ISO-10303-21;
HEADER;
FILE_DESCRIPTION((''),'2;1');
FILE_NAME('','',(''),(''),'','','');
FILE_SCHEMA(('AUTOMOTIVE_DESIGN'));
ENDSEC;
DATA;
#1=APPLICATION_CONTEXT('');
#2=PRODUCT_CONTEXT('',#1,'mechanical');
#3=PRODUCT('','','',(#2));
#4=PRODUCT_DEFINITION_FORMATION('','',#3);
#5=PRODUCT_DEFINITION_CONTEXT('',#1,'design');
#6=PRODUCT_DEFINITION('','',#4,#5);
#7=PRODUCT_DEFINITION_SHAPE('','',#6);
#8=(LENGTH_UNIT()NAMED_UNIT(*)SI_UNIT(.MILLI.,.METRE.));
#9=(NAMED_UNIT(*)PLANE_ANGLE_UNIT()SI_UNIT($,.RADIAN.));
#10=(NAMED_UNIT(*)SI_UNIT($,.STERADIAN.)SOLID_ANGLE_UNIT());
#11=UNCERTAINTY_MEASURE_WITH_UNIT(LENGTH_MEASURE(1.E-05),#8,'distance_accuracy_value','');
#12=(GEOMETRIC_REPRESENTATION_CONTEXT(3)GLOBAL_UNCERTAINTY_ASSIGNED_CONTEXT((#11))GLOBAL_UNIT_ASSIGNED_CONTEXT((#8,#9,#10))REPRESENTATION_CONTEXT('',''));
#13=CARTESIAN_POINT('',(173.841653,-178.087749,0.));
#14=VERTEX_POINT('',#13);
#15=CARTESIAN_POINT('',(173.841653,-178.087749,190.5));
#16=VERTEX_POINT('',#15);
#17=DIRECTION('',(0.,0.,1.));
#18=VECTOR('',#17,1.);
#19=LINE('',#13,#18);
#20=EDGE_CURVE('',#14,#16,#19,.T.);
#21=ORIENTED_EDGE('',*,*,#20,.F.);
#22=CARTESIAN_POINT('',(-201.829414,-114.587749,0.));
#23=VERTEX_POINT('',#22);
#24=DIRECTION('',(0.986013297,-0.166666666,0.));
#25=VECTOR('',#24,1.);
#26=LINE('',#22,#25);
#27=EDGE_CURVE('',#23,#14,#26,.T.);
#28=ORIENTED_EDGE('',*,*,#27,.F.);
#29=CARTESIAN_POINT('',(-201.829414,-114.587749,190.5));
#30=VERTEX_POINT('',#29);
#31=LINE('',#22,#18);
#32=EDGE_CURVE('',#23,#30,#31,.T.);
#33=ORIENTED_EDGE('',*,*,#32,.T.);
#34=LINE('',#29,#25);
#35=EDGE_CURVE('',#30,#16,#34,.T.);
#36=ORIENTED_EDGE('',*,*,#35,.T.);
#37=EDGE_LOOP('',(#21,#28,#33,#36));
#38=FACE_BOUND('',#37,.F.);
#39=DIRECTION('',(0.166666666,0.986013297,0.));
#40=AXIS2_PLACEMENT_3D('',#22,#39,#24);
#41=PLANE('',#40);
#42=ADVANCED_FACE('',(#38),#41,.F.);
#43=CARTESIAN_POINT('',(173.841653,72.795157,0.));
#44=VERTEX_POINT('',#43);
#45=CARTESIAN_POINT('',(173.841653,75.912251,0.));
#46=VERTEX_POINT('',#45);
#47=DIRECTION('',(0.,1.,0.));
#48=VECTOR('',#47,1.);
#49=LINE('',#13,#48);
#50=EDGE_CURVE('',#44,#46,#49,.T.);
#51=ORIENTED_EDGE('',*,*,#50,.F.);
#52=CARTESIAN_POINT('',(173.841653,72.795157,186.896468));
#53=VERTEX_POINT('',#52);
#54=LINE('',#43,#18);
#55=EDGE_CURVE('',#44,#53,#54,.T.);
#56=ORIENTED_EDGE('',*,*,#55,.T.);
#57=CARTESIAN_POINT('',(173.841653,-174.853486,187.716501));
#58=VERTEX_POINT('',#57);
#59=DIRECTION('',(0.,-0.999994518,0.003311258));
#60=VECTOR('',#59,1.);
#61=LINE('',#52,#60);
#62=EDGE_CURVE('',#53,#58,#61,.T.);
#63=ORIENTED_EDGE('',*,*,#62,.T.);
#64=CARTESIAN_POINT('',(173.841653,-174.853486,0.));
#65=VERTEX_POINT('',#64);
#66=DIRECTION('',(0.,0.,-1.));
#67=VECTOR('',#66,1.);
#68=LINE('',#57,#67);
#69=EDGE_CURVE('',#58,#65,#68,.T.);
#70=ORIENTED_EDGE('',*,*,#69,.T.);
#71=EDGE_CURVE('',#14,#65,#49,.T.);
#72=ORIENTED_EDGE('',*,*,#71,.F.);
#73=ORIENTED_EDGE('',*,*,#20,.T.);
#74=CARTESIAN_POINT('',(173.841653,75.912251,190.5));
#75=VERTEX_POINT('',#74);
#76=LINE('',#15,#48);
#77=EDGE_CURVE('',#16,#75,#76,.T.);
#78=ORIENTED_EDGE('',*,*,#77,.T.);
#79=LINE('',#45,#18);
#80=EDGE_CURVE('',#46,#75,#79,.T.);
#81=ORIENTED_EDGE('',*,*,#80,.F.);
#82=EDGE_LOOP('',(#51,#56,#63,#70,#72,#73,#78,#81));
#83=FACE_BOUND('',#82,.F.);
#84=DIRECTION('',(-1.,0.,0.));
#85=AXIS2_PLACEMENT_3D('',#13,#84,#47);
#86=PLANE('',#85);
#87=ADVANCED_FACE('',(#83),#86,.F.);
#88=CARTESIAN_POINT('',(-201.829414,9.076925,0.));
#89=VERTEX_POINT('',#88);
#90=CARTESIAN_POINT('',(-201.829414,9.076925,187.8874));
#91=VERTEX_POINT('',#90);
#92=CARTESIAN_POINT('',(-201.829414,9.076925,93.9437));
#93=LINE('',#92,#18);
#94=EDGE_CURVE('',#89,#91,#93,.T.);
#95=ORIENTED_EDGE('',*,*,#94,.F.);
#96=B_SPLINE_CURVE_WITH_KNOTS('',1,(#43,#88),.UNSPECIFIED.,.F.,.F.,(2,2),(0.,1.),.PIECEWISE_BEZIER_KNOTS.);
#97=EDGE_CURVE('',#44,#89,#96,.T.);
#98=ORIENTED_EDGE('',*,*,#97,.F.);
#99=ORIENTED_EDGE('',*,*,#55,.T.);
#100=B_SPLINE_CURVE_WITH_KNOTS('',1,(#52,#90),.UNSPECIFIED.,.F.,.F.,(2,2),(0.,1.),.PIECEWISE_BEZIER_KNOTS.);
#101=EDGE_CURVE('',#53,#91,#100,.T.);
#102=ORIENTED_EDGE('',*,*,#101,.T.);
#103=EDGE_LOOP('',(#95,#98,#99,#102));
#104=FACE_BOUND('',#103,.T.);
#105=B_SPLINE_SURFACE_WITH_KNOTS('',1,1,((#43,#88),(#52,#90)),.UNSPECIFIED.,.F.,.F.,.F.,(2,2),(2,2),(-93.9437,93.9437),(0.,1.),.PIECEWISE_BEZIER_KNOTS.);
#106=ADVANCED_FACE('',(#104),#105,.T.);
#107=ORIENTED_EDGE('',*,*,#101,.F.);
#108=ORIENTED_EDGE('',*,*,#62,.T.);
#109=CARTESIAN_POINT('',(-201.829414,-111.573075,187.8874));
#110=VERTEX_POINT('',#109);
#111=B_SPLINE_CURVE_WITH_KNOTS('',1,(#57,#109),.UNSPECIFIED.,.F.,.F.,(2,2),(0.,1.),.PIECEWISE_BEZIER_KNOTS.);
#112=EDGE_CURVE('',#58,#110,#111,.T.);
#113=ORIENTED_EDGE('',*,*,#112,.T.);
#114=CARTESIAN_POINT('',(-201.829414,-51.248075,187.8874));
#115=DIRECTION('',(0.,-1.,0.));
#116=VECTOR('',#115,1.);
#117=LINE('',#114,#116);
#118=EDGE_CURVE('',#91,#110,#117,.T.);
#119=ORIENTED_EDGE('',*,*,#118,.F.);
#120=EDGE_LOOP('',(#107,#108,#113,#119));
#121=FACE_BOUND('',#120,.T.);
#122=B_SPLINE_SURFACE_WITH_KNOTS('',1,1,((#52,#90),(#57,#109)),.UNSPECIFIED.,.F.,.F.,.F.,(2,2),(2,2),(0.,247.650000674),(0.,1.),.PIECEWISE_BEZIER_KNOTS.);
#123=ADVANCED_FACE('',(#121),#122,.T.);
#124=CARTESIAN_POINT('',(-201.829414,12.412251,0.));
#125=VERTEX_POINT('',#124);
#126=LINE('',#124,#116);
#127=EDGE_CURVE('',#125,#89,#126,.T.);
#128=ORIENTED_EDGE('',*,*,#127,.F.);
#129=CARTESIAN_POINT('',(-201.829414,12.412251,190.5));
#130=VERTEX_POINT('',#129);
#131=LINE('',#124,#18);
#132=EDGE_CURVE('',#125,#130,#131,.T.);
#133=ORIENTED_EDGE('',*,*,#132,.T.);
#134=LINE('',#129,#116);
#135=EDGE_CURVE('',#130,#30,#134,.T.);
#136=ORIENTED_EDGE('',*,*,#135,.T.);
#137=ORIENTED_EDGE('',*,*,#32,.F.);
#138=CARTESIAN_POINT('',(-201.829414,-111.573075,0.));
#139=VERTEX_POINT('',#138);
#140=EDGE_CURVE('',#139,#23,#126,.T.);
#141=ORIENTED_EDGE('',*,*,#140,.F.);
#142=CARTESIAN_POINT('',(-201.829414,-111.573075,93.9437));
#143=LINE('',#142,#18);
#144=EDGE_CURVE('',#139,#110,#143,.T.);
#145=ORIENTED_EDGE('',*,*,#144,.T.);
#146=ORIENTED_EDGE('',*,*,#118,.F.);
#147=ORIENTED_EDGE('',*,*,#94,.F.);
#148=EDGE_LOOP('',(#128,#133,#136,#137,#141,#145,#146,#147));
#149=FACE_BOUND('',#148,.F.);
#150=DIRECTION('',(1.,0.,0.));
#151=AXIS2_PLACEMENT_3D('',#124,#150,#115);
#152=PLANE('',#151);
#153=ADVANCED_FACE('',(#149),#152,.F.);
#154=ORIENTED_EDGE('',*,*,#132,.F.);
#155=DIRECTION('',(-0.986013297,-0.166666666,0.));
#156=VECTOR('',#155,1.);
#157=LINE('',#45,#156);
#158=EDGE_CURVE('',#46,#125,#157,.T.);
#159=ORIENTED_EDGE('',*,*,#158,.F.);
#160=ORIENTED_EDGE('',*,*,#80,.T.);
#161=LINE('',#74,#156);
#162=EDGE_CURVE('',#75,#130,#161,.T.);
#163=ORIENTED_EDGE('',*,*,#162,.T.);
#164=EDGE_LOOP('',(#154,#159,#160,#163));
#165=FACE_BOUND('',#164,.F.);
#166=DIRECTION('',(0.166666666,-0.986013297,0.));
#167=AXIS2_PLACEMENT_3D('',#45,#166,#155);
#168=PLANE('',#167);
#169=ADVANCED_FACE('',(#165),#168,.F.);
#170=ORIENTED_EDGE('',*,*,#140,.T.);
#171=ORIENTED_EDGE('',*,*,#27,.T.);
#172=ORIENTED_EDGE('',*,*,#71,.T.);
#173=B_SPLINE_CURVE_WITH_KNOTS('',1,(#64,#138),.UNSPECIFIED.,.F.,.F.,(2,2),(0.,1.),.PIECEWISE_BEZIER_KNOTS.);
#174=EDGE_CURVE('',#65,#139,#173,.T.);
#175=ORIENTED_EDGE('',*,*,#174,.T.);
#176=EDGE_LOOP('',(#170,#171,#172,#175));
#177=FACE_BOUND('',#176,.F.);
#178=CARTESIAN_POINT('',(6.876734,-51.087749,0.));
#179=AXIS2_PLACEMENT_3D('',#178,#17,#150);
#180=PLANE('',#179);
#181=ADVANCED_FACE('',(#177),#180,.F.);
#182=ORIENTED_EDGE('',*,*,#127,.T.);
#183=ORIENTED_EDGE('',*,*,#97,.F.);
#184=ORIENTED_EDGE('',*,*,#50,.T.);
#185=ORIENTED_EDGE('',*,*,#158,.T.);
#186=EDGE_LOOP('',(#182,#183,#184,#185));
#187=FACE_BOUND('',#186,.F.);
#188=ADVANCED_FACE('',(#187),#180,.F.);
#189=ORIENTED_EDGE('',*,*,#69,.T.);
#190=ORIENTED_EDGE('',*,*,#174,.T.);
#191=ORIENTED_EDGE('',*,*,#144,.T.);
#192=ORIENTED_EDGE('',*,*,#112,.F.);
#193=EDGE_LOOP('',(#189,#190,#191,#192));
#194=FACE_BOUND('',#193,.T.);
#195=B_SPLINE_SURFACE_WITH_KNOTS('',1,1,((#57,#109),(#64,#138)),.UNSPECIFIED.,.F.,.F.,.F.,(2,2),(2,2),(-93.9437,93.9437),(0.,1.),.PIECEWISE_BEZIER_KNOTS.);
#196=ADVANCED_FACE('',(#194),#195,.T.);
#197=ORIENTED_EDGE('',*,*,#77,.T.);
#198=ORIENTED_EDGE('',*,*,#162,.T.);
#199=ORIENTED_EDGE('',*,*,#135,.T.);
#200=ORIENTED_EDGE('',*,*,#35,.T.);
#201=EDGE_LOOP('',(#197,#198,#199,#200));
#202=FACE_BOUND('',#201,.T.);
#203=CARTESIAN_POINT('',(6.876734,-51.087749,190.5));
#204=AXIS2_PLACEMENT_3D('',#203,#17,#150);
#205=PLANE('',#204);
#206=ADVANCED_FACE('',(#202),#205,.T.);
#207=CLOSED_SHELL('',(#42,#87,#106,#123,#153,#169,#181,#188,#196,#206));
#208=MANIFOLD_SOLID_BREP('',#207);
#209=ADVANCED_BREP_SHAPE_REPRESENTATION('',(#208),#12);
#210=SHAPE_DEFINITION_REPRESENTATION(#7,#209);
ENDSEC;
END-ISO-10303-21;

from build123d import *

# Parameters (mm, degrees)
F1_DEPTH = 190.5
F3_W     = 120.65
F3_H     = 187.8874


with BuildPart() as f1:
    # F0 (on Top) → F1 (new body)
    with BuildSketch(Plane.XY):
        Polygon((173.841653, -178.087749), (173.841653, 75.912251), (-201.829414, 12.412251), (-201.829414, -114.587749), align=None)
    extrude(amount=F1_DEPTH)

    # F2 (on face) → F4 section 0
    with BuildSketch(Plane.YZ.offset(173.841653)):
        Polygon((72.795157, 186.896468), (-174.853486, 187.716501), (-174.853486, 0), (72.795157, 0), align=None)
    # F3 (on face) → F4 section 1
    with BuildSketch(Plane(origin=(-201.829414, 0, 0), x_dir=(0, -1, 0), z_dir=(-1, 0, 0))):
        with Locations((51.248075, 93.9437)):
            Rectangle(F3_W, F3_H)
    loft(mode=Mode.SUBTRACT)


solid = f1.part
